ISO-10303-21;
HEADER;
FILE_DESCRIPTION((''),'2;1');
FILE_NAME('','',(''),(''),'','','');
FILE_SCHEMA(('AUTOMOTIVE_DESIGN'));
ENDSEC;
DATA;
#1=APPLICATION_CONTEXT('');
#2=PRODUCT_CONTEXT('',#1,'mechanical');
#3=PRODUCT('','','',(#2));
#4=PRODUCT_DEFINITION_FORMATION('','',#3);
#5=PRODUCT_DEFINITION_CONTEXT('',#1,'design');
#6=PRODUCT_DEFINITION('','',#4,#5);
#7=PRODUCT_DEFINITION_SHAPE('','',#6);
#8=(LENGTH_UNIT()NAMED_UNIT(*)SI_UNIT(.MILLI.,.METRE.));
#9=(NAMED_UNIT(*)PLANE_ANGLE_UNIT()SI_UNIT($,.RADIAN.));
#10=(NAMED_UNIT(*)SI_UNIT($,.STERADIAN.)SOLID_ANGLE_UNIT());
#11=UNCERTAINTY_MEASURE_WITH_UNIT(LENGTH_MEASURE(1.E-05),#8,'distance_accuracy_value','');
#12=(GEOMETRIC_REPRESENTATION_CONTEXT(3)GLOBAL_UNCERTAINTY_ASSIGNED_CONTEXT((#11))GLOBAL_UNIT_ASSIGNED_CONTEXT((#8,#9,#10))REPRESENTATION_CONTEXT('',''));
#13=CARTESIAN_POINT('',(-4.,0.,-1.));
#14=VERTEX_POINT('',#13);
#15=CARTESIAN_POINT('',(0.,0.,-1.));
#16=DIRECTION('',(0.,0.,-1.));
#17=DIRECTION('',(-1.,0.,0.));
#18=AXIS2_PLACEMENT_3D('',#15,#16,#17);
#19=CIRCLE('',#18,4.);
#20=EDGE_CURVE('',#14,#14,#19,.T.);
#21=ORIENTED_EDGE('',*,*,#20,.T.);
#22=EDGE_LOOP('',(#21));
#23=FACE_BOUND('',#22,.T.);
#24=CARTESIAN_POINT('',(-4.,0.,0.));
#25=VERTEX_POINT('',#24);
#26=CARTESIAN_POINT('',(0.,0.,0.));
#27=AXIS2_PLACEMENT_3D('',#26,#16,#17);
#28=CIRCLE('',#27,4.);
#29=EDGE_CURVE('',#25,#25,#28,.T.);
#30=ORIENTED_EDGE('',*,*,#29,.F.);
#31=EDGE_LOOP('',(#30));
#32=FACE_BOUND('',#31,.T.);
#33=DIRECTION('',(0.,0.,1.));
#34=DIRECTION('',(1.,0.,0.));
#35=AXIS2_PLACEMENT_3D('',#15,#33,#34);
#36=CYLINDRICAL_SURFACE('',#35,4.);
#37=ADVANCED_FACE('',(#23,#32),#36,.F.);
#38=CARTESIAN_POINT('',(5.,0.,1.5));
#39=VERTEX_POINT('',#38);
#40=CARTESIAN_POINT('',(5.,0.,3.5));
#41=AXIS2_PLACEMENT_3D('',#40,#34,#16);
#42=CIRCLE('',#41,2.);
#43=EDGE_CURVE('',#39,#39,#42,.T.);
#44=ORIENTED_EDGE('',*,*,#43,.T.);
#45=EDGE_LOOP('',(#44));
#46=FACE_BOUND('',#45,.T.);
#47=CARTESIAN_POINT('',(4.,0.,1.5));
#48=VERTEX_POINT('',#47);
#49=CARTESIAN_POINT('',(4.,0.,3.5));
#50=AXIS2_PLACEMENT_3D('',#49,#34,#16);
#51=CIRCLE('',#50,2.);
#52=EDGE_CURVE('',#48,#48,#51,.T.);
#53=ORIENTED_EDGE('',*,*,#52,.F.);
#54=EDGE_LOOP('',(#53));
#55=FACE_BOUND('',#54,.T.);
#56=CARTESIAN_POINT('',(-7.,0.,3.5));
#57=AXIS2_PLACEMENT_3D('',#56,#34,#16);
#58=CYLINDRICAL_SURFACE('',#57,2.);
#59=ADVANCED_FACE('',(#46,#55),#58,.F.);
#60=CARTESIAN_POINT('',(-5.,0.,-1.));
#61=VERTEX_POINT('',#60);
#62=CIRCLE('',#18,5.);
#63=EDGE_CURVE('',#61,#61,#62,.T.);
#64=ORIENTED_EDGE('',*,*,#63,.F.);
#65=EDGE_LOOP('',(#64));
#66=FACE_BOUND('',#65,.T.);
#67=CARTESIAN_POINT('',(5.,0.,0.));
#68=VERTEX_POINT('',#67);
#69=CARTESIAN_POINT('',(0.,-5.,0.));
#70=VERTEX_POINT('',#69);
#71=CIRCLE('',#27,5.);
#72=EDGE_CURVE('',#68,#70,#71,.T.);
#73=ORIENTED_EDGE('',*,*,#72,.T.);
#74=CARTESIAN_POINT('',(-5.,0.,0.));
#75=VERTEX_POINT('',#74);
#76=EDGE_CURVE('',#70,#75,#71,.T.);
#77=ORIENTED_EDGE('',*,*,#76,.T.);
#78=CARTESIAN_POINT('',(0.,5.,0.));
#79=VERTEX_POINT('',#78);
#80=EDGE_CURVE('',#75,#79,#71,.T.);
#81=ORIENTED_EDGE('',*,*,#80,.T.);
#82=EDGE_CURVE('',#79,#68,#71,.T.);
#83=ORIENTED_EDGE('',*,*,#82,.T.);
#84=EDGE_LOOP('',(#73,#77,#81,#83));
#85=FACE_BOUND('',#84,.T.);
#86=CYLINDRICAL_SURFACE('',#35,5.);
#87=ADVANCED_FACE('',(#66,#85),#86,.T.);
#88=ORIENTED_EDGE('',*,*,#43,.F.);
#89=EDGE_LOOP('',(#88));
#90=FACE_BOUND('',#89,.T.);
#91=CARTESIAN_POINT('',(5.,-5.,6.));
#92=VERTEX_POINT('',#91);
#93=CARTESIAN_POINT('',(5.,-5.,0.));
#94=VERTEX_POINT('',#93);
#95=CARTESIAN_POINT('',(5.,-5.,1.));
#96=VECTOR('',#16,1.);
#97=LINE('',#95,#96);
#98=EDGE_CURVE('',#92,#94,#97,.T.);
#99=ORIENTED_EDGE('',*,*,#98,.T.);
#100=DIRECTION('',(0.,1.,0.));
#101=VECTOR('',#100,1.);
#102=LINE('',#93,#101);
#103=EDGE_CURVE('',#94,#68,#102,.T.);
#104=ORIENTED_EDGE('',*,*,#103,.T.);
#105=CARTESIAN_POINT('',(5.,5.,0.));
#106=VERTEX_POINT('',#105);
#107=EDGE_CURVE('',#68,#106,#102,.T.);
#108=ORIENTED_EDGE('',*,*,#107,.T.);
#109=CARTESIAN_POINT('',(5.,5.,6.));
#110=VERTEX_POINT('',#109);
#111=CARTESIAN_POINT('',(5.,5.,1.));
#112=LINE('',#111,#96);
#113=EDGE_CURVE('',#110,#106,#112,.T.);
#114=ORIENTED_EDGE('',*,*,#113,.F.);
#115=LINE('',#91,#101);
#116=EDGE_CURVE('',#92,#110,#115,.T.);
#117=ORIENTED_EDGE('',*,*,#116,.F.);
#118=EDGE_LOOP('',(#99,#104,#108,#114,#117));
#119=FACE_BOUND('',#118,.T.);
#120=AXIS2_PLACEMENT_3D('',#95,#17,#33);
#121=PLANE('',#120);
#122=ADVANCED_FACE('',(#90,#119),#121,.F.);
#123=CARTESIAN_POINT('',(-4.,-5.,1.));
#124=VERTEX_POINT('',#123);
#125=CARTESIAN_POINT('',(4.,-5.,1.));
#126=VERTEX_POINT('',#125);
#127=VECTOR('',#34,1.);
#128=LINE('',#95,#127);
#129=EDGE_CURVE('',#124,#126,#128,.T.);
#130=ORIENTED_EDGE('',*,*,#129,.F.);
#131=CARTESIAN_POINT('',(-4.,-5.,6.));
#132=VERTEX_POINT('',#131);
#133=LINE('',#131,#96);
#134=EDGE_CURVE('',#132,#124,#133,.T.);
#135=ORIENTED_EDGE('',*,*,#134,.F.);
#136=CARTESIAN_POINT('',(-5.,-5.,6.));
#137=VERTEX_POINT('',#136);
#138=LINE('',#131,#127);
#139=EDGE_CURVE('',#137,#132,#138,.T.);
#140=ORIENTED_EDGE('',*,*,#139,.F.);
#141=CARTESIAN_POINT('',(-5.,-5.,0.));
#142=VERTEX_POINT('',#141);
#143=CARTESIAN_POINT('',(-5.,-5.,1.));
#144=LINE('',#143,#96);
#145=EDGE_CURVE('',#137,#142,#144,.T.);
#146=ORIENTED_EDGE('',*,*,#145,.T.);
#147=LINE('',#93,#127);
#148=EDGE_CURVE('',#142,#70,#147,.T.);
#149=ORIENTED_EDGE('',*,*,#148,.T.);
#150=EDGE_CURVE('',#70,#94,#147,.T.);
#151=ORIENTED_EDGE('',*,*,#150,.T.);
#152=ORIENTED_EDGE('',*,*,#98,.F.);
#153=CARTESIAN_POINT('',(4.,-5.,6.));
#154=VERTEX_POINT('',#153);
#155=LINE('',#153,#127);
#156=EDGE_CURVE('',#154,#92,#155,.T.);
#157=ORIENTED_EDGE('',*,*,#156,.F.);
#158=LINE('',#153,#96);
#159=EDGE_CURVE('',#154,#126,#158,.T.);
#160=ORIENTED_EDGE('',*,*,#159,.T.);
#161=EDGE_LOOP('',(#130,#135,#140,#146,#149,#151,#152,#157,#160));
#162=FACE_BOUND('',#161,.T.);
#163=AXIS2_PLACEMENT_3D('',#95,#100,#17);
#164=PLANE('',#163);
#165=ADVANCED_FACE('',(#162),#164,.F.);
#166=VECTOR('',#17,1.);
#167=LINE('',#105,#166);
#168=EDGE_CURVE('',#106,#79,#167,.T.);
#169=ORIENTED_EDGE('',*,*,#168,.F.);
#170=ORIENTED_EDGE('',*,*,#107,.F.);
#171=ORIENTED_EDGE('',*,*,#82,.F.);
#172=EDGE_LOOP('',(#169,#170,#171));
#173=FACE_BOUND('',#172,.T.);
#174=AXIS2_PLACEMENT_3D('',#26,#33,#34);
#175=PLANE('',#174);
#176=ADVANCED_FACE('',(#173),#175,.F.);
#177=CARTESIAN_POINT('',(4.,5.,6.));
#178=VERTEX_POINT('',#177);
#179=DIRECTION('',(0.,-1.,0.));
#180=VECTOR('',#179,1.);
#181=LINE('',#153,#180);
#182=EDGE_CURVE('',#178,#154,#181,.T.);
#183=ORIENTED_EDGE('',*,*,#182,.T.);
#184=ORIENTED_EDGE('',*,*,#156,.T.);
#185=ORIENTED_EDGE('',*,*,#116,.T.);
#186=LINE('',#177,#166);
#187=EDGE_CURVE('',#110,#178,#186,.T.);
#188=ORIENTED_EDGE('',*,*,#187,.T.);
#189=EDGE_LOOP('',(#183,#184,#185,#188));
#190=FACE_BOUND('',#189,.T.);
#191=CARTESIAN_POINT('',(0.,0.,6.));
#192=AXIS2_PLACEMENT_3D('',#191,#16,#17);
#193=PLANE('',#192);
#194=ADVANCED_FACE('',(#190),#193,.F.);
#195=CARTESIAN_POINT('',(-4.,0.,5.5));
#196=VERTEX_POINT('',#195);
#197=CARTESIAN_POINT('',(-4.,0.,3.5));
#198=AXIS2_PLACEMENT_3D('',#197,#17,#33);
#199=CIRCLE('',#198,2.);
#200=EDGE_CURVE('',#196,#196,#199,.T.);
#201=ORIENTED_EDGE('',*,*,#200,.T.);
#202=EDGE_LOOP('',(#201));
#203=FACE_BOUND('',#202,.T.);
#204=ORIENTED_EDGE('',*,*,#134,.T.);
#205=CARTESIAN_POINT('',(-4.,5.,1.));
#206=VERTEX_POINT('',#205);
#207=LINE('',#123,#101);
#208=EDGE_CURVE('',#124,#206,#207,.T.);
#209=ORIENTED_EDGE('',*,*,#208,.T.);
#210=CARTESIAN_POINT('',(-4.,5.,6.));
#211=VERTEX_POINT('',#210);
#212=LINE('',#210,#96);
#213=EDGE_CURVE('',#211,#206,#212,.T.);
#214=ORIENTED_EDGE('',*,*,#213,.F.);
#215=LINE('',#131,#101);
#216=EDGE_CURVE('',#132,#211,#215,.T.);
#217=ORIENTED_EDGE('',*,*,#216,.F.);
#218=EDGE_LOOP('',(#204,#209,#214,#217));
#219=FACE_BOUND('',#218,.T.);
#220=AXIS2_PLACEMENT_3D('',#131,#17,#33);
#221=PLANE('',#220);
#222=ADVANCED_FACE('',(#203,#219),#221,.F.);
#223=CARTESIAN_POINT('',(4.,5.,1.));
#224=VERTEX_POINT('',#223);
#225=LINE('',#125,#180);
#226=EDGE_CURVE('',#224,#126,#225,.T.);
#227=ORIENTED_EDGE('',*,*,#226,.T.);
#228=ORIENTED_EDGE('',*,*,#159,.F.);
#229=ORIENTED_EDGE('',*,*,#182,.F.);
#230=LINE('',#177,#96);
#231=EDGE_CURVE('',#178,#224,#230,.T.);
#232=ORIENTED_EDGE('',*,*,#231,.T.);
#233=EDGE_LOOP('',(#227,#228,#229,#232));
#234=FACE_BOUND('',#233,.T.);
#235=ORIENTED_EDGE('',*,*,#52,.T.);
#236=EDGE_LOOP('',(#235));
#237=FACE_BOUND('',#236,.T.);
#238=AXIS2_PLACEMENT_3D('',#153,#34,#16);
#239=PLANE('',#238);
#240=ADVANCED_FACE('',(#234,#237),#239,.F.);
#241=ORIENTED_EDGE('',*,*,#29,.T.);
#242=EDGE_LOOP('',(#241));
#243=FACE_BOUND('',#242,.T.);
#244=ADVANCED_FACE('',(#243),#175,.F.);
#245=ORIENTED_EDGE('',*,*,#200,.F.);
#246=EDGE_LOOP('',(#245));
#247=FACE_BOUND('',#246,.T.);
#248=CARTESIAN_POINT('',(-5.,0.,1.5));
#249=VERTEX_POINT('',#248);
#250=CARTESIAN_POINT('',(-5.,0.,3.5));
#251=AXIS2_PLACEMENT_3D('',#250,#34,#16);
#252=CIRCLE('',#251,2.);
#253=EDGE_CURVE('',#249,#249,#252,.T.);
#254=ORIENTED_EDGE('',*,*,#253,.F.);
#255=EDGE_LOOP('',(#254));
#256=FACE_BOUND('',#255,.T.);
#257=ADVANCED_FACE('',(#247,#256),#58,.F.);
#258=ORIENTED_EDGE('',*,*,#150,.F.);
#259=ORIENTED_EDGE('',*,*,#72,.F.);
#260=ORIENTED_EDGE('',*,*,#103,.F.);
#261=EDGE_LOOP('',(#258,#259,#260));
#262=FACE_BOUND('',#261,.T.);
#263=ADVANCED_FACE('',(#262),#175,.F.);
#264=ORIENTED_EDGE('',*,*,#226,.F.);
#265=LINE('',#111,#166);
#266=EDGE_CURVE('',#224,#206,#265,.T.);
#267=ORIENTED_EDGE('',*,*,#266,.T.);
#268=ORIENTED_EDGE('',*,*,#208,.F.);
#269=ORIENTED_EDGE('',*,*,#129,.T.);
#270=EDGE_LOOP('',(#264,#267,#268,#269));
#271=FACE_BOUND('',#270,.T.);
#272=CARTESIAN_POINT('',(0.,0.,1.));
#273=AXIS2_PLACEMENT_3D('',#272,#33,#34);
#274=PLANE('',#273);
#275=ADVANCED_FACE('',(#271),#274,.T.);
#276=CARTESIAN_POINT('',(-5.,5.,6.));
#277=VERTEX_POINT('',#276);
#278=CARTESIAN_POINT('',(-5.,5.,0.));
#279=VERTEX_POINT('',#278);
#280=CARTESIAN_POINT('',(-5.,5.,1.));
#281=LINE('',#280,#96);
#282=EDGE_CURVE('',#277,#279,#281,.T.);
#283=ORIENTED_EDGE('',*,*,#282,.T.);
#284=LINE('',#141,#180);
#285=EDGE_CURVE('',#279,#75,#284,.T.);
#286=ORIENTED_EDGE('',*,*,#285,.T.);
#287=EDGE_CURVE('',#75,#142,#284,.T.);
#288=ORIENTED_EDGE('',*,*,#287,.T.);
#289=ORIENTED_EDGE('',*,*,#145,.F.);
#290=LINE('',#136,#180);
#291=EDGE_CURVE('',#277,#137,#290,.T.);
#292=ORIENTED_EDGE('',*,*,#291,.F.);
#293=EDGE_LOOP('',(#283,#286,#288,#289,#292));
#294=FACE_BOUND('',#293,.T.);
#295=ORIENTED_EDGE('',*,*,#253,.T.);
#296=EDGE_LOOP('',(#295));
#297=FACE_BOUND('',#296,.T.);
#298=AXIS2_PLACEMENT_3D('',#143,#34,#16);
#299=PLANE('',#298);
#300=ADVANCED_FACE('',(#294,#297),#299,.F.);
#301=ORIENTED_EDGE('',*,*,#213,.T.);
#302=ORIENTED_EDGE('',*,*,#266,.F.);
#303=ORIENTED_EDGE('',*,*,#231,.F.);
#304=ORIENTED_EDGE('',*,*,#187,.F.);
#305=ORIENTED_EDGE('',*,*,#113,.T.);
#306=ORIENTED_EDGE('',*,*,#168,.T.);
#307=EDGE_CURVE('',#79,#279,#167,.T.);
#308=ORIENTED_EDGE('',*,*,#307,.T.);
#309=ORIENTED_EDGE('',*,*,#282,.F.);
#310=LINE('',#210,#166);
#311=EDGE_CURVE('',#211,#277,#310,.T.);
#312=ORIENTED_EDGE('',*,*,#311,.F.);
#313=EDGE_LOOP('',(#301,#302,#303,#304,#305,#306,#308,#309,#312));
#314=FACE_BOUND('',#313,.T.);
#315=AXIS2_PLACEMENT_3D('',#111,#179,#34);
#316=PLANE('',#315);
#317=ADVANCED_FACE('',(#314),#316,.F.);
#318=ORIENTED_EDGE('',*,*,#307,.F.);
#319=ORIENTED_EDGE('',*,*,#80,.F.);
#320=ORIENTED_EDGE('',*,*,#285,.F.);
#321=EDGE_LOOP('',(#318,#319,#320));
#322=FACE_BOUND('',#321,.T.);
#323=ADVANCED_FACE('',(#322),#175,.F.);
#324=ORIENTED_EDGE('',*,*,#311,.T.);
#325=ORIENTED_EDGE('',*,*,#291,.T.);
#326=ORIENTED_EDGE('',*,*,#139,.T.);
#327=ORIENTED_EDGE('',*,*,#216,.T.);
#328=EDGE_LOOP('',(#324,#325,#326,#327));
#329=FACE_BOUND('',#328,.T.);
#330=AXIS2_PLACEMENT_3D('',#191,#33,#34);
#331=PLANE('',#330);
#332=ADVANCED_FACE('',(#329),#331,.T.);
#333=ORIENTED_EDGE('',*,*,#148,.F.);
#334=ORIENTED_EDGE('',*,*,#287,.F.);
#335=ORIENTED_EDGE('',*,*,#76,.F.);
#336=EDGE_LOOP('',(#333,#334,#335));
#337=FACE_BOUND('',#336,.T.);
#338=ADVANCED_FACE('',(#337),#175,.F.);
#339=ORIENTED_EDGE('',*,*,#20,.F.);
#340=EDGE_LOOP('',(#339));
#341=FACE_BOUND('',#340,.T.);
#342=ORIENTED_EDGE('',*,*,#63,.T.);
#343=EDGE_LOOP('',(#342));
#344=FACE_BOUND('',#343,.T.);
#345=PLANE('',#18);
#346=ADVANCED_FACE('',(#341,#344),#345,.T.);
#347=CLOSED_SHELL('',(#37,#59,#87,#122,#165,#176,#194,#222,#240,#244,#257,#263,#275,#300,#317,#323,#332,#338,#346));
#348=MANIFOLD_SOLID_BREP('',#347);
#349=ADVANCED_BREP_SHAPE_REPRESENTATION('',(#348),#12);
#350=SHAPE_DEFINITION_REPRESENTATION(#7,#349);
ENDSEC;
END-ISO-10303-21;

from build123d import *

# Parameters (mm, degrees)
SKETCH1_W           = 10
SKETCH1_H           = 10
BOSS_EXTRUDE1_DEPTH = 1
SKETCH2_W           = 1
SKETCH2_H           = 10
BOSS_EXTRUDE2_DEPTH = 5
SKETCH3_R           = 2
CUT_EXTRUDE1_DEPTH  = 12
SKETCH4_R           = 5
SKETCH4_R_2         = 4
BOSS_EXTRUDE3_DEPTH = 1


with BuildPart() as part:
    # Sketch1 → Boss-Extrude1 (new body)
    with BuildSketch(Plane.XY):
        Rectangle(SKETCH1_W, SKETCH1_H)
    extrude(amount=BOSS_EXTRUDE1_DEPTH)

    # Sketch2 → Boss-Extrude2 (add)
    with BuildSketch(Plane.XY.offset(1)):
        with Locations((-4.5, 0)):
            Rectangle(SKETCH2_W, SKETCH2_H)
        with Locations((4.5, 0)):
            Rectangle(SKETCH2_W, SKETCH2_H)
    extrude(amount=BOSS_EXTRUDE2_DEPTH)

    # Sketch3 → Cut-Extrude1 (cut)
    with BuildSketch(Plane(origin=(5, 0, 0), x_dir=(0, 0, -1), z_dir=(1, 0, 0))):
        with Locations((-3.5, 0)):
            Circle(SKETCH3_R)
    extrude(amount=-CUT_EXTRUDE1_DEPTH, mode=Mode.SUBTRACT)

    # Sketch4 → Boss-Extrude3 (add)
    with BuildSketch(Plane(origin=(0, 0, 0), x_dir=(-1, 0, 0), z_dir=(0, 0, -1))):
        Circle(SKETCH4_R)
        Circle(SKETCH4_R_2, mode=Mode.SUBTRACT)
    extrude(amount=BOSS_EXTRUDE3_DEPTH)


solid = part.part
